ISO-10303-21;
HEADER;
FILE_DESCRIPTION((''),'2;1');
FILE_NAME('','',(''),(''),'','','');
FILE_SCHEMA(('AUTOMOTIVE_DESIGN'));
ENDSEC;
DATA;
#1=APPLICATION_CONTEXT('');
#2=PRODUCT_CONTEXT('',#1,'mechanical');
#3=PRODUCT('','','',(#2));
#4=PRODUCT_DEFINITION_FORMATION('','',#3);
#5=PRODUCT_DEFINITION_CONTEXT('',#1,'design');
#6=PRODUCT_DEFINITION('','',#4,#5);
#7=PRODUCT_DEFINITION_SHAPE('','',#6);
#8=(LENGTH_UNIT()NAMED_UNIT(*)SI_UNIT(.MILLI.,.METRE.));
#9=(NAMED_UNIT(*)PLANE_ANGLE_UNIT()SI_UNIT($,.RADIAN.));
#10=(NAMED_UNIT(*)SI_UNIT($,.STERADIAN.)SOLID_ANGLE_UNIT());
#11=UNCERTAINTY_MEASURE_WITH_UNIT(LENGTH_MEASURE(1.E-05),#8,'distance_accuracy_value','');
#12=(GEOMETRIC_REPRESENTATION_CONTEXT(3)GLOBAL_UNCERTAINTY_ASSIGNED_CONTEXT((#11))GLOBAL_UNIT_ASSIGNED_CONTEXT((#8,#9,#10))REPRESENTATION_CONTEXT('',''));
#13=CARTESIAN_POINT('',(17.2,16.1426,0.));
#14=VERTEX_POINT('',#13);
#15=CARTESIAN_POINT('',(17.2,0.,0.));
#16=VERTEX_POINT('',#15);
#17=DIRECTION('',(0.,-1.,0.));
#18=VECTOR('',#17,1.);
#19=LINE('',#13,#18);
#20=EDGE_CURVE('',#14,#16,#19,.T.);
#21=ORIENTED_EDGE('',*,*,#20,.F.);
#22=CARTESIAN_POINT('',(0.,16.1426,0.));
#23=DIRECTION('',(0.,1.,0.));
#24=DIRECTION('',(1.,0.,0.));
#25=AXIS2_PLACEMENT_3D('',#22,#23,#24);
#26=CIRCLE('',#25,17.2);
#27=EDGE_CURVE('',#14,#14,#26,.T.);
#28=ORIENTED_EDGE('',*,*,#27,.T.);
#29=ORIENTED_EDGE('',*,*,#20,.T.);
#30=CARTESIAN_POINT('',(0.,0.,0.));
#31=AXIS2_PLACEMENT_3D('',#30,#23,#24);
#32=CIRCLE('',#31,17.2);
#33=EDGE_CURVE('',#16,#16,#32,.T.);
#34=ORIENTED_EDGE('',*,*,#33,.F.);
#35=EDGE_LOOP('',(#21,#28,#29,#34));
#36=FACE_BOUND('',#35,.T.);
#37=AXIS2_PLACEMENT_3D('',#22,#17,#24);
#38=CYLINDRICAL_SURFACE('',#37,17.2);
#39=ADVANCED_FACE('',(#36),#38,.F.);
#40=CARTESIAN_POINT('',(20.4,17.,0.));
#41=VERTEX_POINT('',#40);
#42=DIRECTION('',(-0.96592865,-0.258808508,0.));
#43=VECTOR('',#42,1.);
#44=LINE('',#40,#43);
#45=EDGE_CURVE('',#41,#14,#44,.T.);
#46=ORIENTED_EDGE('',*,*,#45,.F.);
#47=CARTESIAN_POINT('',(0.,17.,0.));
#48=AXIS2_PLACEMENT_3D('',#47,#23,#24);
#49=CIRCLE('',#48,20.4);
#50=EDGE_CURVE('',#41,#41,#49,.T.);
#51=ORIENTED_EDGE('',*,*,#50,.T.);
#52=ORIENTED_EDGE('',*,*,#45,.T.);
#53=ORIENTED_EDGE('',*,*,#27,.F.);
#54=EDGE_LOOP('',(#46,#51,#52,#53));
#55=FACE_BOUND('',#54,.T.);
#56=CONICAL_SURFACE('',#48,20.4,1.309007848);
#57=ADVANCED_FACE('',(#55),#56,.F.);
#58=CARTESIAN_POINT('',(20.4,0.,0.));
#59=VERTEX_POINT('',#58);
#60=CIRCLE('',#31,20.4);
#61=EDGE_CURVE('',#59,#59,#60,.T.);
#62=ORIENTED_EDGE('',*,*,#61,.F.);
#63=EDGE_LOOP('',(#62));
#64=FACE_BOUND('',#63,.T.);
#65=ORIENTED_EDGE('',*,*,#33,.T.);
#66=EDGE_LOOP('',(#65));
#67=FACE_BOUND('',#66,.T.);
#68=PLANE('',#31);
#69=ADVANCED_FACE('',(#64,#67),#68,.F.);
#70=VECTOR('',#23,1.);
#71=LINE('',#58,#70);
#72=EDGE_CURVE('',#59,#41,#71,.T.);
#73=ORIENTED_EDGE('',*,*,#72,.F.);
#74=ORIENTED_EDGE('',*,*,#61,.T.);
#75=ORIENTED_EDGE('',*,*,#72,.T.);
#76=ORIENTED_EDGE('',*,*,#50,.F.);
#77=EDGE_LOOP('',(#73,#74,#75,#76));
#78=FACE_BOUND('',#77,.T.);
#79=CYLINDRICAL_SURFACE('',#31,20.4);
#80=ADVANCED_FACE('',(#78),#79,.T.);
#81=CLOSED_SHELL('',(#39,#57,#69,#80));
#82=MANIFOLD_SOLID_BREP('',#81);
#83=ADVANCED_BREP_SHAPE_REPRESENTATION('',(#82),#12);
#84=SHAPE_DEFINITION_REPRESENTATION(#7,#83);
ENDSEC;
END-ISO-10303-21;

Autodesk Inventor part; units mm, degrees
ref_plane "YZ Plane" through (0, 0, 0) normal (1, 0, 0) x (0, 1, 0)
ref_plane "XZ Plane" through (0, 0, 0) normal (0, 1, 0) x (-1, 0, 0)
ref_plane "XY Plane" through (0, 0, 0) normal (0, 0, 1) x (1, 0, 0)
sketch "Sketch1" plane through (0, 0, 0) normal (0, 0, 1) x (1, 0, 0)
  line L0 (0, 0) -> (0, 15.2056) construction
  line L1 (20.4, 0) -> (20.4, 17)
  line L2 (20.4, 17) -> (17.2, 16.1426)
  line L3 (17.2, 16.1426) -> (17.2, 0)
  line L4 (17.2, 0) -> (20.4, 0)
  line L5 (17.2, 0) -> (20.4, 0)
  dimension "d0" = 40.8
  dimension "d1" = 75
  dimension "d2" = 17
  dimension "d5" = 34.4
revolve "Revolution1" add sketch "Sketch1" angle 360 about axis through (0, 0, 0) along (0, 1, 0)
properties part number "OringPressingRing" material "Stainless Steel, 440C"
